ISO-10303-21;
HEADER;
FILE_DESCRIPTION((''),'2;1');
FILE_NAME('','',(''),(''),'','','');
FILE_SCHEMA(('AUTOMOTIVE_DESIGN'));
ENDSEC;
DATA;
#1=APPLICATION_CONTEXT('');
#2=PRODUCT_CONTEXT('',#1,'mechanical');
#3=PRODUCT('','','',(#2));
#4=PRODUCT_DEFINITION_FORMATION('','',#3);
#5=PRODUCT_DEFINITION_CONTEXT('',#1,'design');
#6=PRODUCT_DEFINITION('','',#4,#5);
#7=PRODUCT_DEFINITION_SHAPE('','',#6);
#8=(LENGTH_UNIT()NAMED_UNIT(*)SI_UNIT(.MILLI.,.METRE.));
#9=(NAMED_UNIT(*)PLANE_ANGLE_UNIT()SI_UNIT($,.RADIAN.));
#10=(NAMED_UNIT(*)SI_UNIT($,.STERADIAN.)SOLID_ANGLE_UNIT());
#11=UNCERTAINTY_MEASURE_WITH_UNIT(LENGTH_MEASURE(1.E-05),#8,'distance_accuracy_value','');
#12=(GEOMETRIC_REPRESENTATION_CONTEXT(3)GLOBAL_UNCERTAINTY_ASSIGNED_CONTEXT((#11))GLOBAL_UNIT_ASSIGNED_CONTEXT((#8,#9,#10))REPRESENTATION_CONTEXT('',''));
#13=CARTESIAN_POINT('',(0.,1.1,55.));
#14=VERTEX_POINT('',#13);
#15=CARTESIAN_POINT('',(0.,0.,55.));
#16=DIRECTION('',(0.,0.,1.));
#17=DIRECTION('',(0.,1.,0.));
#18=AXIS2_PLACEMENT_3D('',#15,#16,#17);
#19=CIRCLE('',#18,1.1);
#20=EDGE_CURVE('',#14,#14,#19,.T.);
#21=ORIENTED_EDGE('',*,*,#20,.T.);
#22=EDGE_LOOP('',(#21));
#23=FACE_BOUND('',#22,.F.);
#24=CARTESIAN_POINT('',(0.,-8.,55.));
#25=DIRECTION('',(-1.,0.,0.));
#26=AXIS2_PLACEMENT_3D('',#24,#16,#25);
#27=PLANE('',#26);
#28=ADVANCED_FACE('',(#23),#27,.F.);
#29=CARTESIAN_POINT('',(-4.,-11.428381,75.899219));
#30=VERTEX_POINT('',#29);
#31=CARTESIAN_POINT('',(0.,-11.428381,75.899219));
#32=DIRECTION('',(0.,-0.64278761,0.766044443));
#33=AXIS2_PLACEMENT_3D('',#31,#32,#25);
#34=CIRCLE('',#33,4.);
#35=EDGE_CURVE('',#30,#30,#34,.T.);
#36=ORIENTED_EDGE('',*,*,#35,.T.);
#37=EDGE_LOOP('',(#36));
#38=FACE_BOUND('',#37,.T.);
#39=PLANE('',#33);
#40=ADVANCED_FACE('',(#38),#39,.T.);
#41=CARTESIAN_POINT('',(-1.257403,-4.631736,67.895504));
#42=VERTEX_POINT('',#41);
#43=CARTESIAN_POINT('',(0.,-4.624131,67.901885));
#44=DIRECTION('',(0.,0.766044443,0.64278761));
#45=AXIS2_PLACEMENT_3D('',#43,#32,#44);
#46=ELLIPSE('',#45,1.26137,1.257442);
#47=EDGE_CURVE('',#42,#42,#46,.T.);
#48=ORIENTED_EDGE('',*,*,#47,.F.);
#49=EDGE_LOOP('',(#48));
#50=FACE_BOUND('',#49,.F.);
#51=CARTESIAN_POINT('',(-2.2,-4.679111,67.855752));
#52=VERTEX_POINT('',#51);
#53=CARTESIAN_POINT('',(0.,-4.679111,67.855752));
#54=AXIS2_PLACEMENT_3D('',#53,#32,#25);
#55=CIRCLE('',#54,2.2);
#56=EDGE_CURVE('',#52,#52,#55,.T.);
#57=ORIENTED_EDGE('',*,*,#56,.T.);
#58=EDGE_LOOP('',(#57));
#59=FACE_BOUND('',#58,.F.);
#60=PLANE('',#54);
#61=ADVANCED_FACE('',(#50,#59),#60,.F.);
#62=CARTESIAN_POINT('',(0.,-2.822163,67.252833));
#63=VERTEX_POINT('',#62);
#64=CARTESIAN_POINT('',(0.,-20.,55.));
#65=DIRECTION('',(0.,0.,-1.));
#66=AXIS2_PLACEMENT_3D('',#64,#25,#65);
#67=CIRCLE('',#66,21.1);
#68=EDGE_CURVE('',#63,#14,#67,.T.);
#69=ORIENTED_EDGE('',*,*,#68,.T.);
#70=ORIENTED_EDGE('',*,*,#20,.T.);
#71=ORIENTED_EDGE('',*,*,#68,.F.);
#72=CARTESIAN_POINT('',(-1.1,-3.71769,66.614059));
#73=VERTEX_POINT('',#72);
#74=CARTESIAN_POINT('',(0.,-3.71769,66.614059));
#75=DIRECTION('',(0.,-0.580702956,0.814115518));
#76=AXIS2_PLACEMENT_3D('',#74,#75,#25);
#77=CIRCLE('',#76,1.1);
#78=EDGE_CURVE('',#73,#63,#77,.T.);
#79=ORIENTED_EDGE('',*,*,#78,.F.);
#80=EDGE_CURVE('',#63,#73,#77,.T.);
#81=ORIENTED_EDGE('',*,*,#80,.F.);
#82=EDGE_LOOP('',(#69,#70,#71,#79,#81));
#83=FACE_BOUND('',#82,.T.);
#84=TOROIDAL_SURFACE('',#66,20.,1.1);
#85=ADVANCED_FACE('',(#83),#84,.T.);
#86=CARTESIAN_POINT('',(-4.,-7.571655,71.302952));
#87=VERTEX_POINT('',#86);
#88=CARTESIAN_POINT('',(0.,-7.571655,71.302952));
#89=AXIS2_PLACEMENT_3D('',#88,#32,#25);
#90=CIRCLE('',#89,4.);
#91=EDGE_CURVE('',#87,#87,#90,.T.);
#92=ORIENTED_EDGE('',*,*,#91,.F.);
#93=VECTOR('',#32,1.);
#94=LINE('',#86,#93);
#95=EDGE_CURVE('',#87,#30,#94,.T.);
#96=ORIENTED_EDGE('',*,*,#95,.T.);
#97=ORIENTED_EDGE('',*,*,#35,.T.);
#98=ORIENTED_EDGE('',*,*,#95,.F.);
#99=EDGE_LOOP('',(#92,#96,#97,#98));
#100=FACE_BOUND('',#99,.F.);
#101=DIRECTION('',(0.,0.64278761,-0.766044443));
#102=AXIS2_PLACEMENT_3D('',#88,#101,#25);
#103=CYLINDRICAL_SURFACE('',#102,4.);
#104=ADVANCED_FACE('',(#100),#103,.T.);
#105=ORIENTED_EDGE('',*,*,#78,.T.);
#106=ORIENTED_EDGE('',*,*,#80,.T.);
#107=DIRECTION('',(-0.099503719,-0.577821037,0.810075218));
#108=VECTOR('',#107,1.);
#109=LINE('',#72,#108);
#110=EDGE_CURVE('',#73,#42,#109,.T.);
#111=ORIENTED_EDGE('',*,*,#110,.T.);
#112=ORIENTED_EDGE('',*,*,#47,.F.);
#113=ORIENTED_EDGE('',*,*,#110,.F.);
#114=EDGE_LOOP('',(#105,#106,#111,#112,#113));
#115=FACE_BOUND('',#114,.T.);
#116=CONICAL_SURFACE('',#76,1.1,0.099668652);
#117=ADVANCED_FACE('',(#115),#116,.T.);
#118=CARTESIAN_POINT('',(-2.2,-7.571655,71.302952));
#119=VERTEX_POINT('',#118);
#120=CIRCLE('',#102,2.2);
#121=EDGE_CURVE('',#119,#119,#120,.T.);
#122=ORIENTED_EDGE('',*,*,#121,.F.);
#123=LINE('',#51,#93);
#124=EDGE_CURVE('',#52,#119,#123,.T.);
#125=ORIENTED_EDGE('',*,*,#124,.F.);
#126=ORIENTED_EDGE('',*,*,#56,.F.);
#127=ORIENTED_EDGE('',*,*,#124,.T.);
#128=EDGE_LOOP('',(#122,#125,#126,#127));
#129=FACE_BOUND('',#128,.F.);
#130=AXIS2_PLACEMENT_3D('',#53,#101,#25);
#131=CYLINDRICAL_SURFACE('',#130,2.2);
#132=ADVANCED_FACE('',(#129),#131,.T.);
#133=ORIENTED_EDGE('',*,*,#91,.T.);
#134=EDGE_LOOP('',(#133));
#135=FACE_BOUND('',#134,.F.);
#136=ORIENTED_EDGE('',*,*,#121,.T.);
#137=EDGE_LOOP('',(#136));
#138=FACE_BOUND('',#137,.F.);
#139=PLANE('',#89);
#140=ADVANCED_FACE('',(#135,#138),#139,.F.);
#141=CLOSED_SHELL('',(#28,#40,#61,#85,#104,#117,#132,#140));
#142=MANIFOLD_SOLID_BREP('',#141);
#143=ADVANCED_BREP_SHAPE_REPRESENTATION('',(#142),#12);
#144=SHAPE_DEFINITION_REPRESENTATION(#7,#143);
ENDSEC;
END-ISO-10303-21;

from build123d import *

# Parameters (mm, degrees)
CONE003_ROLL_ANGLE           = -35.5
BOX001027045014_W            = 10
BOX001027045014_H            = 24
BOX001027045014_DEPTH        = 22
BOX001027045014_ROLL_ANGLE   = -35.5
BOX001027045013_W            = 10
BOX001027045013_H            = 24
BOX001027045013_DEPTH        = 22
TORUS003_R                   = 1.1
TORUS003_PITCH_ANGLE         = 90
CYLINDER124_R                = 4
CYLINDER124_DEPTH            = 6
CYLINDER124_ROLL_ANGLE       = -40
CYLINDER123_R                = 2.2
CYLINDER123_DEPTH            = 10
CYLINDER123_ROLL_ANGLE       = -40
FUSION112028_PLACEMENT_ANGLE = 180


with BuildPart() as cone003:
    # Cone003 → Cone003 (revolve)
    with BuildSketch(Plane.XZ):
        Polygon((0, 0), (1.1, 0), (1.3, 2), (0, 2), align=None)
    revolve(axis=Axis((0, 0, 0), (0, 0, 1)))


with BuildPart() as cone003_1:
    # Cone003 roll: moved
    add(cone003.part.rotate(Axis((0, 0, 0), (1, 0, 0)), CONE003_ROLL_ANGLE))


with BuildPart() as cone003_2:
    # Cone003 placement: moved
    add(cone003_1.part.moved(Location((0, 3.71769, 11.614059))))


with BuildPart() as cube067:
    # Box001027045014 → Box001027045014 (new body)
    with BuildSketch(Plane.XY):
        with Locations((5, 12)):
            Rectangle(BOX001027045014_W, BOX001027045014_H)
    extrude(amount=BOX001027045014_DEPTH)


with BuildPart() as cube067_1:
    # Box001027045014 roll: moved
    add(cube067.part.rotate(Axis((0, 0, 0), (1, 0, 0)), BOX001027045014_ROLL_ANGLE))


with BuildPart() as cube067_2:
    # Box001027045014 placement: moved
    add(cube067_1.part.moved(Location((-5, 0.461228, 13.936871))))


with BuildPart() as cube066:
    # Box001027045013 → Box001027045013 (new body)
    with BuildSketch(Plane(origin=(-5, -4, 0), x_dir=(1, 0, 0), z_dir=(0, 0, 1))):
        with Locations((5, 12)):
            Rectangle(BOX001027045013_W, BOX001027045013_H)
    extrude(amount=BOX001027045013_DEPTH)


with BuildPart() as cut069:
    # Torus003 → Torus003 (revolve)
    with BuildSketch(Plane.XZ):
        with Locations((20, 0)):
            Circle(TORUS003_R)
    revolve(axis=Axis((0, 0, 0), (0, 0, 1)))


with BuildPart() as cut069_1:
    # Torus003 pitch: moved
    add(cut069.part.rotate(Axis((0, 0, 0), (0, 1, 0)), TORUS003_PITCH_ANGLE))


with BuildPart() as cut069_2:
    # Torus003 placement: moved
    add(cut069_1.part.moved(Location((0, 20, 0))))

    # Common055: intersect Cube066
    add(cube066.part, mode=Mode.INTERSECT)

    # Cut069: cut Cube067
    add(cube067_2.part, mode=Mode.SUBTRACT)


with BuildPart() as cylinder182:
    # Cylinder124 → Cylinder124 (new body)
    with BuildSketch(Plane.XY):
        Circle(CYLINDER124_R)
    extrude(amount=CYLINDER124_DEPTH)


with BuildPart() as cylinder182_1:
    # Cylinder124 roll: moved
    add(cylinder182.part.rotate(Axis((0, 0, 0), (1, 0, 0)), CYLINDER124_ROLL_ANGLE))


with BuildPart() as cylinder182_2:
    # Cylinder124 placement: moved
    add(cylinder182_1.part.moved(Location((0, 7.571655, 16.302952))))


with BuildPart() as torroidal_hole006:
    # Cylinder123 → Cylinder123 (new body)
    with BuildSketch(Plane.XY):
        Circle(CYLINDER123_R)
    extrude(amount=CYLINDER123_DEPTH)


with BuildPart() as torroidal_hole006_1:
    # Cylinder123 roll: moved
    add(torroidal_hole006.part.rotate(Axis((0, 0, 0), (1, 0, 0)), CYLINDER123_ROLL_ANGLE))


with BuildPart() as torroidal_hole006_2:
    # Cylinder123 placement: moved
    add(torroidal_hole006_1.part.moved(Location((0, 4.679111, 12.855752))))

    # Fusion112028: union Cone003, Cut069, Cylinder182
    add(cone003_2.part)
    add(cut069_2.part)
    add(cylinder182_2.part)


with BuildPart() as torroidal_hole006_3:
    # Fusion112028 placement: moved
    add(torroidal_hole006_2.part.moved(Location((0, 0, 55))).rotate(Axis((0, 0, 55), (0, 0, 1)), FUSION112028_PLACEMENT_ANGLE))


solid = torroidal_hole006_3.part
